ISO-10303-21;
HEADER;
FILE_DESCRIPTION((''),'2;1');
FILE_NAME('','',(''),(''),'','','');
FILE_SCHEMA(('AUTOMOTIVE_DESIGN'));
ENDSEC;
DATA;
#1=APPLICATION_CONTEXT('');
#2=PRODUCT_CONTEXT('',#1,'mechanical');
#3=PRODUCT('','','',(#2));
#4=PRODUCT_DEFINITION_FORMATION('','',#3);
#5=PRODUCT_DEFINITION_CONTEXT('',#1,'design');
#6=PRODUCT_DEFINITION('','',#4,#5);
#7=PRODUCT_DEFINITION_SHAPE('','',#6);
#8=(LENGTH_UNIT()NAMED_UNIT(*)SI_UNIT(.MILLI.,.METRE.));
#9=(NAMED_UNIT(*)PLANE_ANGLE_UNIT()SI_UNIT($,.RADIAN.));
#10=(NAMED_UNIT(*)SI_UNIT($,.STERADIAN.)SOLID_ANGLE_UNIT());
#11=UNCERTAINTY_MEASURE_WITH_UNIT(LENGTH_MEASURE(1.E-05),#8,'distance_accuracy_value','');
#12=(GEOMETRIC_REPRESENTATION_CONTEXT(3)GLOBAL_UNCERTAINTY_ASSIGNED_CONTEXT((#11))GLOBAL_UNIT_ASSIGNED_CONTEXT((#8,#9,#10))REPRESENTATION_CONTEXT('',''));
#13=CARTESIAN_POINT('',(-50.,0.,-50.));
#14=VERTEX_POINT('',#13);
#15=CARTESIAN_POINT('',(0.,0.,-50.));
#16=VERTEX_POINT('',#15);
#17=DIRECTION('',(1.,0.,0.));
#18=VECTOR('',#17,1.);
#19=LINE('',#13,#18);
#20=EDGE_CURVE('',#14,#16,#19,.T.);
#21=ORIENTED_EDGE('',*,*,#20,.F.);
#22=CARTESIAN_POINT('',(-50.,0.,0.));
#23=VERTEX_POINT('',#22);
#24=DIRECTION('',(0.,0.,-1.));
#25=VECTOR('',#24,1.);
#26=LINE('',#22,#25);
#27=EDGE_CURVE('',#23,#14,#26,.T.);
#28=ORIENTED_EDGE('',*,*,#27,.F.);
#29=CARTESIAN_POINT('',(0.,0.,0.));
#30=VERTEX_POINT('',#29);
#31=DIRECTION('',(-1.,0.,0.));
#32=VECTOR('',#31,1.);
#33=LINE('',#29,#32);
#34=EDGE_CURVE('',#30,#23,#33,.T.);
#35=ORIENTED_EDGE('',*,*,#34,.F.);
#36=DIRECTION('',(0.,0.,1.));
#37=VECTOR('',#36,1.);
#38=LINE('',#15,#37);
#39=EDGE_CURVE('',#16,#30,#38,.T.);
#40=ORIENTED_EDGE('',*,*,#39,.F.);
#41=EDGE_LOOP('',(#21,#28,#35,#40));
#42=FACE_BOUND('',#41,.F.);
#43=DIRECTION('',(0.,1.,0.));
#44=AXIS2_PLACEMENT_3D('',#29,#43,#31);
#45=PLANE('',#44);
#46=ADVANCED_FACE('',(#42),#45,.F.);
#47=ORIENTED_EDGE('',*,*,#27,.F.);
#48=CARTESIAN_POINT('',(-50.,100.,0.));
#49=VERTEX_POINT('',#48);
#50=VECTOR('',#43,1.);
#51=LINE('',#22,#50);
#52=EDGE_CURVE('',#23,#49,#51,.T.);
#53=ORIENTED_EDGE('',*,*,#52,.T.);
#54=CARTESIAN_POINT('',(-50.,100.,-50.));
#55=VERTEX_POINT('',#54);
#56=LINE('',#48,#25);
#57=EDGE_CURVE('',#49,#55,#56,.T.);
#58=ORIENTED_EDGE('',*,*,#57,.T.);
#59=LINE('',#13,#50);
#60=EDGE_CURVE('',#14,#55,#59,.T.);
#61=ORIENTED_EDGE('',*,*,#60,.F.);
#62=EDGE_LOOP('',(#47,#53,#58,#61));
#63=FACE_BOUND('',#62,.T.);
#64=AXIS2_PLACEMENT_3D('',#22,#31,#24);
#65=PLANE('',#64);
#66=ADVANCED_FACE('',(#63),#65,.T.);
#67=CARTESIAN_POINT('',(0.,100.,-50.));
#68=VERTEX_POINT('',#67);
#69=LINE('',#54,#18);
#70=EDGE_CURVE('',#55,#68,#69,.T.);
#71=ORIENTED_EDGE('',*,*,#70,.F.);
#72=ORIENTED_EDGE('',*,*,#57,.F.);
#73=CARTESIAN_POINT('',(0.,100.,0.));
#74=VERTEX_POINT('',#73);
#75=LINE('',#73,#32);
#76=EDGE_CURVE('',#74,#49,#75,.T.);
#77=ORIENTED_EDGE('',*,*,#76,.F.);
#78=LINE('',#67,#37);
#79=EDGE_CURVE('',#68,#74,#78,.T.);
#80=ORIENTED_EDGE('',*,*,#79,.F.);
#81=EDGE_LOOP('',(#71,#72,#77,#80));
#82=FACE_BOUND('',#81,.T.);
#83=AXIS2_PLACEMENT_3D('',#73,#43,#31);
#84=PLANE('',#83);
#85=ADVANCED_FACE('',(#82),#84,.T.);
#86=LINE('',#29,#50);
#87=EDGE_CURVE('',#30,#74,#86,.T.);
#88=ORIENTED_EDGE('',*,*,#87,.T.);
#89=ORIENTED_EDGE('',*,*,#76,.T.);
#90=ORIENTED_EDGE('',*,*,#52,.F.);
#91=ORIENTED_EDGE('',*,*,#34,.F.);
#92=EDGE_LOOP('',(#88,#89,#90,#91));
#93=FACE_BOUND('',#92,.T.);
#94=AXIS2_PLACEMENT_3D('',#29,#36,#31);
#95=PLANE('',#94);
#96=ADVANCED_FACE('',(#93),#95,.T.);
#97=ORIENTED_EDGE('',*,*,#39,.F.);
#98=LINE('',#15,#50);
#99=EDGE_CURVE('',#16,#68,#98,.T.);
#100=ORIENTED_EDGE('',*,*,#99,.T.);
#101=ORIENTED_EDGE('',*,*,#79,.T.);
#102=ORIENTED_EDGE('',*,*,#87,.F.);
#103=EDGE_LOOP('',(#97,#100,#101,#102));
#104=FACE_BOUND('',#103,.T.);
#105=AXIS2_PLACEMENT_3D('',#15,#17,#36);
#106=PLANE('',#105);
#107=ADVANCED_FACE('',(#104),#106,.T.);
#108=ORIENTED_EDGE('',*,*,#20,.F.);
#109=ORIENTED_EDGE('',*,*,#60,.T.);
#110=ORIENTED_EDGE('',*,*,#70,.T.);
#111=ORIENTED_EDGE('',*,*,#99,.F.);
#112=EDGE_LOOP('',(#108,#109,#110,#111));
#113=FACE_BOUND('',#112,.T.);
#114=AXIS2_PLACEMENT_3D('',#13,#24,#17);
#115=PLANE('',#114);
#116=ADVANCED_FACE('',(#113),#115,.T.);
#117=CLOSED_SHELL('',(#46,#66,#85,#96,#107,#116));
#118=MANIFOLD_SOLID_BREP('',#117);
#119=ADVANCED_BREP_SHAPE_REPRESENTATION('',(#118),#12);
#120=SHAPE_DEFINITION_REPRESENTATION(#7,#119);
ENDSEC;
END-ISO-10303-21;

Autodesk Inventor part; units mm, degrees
ref_plane "YZ Plane" through (0, 0, 0) normal (1, 0, 0) x (0, 1, 0)
ref_plane "XZ Plane" through (0, 0, 0) normal (0, 1, 0) x (-1, 0, 0)
ref_plane "XY Plane" through (0, 0, 0) normal (0, 0, 1) x (1, 0, 0)
sketch "Sketch1" plane through (0, 0, 0) normal (0, 1, 0) x (-1, 0, 0)
  line L0 (0, 0) -> (50, 0)
  line L1 (50, 0) -> (50, -50)
  line L2 (50, -50) -> (0, -50)
  line L3 (0, -50) -> (0, 0)
  dimension "d0" = 50
  dimension "d1" = 50
extrude "Extrusion1" add sketch "Sketch1" along normal blind 100
properties part number "Traffic_Light"
